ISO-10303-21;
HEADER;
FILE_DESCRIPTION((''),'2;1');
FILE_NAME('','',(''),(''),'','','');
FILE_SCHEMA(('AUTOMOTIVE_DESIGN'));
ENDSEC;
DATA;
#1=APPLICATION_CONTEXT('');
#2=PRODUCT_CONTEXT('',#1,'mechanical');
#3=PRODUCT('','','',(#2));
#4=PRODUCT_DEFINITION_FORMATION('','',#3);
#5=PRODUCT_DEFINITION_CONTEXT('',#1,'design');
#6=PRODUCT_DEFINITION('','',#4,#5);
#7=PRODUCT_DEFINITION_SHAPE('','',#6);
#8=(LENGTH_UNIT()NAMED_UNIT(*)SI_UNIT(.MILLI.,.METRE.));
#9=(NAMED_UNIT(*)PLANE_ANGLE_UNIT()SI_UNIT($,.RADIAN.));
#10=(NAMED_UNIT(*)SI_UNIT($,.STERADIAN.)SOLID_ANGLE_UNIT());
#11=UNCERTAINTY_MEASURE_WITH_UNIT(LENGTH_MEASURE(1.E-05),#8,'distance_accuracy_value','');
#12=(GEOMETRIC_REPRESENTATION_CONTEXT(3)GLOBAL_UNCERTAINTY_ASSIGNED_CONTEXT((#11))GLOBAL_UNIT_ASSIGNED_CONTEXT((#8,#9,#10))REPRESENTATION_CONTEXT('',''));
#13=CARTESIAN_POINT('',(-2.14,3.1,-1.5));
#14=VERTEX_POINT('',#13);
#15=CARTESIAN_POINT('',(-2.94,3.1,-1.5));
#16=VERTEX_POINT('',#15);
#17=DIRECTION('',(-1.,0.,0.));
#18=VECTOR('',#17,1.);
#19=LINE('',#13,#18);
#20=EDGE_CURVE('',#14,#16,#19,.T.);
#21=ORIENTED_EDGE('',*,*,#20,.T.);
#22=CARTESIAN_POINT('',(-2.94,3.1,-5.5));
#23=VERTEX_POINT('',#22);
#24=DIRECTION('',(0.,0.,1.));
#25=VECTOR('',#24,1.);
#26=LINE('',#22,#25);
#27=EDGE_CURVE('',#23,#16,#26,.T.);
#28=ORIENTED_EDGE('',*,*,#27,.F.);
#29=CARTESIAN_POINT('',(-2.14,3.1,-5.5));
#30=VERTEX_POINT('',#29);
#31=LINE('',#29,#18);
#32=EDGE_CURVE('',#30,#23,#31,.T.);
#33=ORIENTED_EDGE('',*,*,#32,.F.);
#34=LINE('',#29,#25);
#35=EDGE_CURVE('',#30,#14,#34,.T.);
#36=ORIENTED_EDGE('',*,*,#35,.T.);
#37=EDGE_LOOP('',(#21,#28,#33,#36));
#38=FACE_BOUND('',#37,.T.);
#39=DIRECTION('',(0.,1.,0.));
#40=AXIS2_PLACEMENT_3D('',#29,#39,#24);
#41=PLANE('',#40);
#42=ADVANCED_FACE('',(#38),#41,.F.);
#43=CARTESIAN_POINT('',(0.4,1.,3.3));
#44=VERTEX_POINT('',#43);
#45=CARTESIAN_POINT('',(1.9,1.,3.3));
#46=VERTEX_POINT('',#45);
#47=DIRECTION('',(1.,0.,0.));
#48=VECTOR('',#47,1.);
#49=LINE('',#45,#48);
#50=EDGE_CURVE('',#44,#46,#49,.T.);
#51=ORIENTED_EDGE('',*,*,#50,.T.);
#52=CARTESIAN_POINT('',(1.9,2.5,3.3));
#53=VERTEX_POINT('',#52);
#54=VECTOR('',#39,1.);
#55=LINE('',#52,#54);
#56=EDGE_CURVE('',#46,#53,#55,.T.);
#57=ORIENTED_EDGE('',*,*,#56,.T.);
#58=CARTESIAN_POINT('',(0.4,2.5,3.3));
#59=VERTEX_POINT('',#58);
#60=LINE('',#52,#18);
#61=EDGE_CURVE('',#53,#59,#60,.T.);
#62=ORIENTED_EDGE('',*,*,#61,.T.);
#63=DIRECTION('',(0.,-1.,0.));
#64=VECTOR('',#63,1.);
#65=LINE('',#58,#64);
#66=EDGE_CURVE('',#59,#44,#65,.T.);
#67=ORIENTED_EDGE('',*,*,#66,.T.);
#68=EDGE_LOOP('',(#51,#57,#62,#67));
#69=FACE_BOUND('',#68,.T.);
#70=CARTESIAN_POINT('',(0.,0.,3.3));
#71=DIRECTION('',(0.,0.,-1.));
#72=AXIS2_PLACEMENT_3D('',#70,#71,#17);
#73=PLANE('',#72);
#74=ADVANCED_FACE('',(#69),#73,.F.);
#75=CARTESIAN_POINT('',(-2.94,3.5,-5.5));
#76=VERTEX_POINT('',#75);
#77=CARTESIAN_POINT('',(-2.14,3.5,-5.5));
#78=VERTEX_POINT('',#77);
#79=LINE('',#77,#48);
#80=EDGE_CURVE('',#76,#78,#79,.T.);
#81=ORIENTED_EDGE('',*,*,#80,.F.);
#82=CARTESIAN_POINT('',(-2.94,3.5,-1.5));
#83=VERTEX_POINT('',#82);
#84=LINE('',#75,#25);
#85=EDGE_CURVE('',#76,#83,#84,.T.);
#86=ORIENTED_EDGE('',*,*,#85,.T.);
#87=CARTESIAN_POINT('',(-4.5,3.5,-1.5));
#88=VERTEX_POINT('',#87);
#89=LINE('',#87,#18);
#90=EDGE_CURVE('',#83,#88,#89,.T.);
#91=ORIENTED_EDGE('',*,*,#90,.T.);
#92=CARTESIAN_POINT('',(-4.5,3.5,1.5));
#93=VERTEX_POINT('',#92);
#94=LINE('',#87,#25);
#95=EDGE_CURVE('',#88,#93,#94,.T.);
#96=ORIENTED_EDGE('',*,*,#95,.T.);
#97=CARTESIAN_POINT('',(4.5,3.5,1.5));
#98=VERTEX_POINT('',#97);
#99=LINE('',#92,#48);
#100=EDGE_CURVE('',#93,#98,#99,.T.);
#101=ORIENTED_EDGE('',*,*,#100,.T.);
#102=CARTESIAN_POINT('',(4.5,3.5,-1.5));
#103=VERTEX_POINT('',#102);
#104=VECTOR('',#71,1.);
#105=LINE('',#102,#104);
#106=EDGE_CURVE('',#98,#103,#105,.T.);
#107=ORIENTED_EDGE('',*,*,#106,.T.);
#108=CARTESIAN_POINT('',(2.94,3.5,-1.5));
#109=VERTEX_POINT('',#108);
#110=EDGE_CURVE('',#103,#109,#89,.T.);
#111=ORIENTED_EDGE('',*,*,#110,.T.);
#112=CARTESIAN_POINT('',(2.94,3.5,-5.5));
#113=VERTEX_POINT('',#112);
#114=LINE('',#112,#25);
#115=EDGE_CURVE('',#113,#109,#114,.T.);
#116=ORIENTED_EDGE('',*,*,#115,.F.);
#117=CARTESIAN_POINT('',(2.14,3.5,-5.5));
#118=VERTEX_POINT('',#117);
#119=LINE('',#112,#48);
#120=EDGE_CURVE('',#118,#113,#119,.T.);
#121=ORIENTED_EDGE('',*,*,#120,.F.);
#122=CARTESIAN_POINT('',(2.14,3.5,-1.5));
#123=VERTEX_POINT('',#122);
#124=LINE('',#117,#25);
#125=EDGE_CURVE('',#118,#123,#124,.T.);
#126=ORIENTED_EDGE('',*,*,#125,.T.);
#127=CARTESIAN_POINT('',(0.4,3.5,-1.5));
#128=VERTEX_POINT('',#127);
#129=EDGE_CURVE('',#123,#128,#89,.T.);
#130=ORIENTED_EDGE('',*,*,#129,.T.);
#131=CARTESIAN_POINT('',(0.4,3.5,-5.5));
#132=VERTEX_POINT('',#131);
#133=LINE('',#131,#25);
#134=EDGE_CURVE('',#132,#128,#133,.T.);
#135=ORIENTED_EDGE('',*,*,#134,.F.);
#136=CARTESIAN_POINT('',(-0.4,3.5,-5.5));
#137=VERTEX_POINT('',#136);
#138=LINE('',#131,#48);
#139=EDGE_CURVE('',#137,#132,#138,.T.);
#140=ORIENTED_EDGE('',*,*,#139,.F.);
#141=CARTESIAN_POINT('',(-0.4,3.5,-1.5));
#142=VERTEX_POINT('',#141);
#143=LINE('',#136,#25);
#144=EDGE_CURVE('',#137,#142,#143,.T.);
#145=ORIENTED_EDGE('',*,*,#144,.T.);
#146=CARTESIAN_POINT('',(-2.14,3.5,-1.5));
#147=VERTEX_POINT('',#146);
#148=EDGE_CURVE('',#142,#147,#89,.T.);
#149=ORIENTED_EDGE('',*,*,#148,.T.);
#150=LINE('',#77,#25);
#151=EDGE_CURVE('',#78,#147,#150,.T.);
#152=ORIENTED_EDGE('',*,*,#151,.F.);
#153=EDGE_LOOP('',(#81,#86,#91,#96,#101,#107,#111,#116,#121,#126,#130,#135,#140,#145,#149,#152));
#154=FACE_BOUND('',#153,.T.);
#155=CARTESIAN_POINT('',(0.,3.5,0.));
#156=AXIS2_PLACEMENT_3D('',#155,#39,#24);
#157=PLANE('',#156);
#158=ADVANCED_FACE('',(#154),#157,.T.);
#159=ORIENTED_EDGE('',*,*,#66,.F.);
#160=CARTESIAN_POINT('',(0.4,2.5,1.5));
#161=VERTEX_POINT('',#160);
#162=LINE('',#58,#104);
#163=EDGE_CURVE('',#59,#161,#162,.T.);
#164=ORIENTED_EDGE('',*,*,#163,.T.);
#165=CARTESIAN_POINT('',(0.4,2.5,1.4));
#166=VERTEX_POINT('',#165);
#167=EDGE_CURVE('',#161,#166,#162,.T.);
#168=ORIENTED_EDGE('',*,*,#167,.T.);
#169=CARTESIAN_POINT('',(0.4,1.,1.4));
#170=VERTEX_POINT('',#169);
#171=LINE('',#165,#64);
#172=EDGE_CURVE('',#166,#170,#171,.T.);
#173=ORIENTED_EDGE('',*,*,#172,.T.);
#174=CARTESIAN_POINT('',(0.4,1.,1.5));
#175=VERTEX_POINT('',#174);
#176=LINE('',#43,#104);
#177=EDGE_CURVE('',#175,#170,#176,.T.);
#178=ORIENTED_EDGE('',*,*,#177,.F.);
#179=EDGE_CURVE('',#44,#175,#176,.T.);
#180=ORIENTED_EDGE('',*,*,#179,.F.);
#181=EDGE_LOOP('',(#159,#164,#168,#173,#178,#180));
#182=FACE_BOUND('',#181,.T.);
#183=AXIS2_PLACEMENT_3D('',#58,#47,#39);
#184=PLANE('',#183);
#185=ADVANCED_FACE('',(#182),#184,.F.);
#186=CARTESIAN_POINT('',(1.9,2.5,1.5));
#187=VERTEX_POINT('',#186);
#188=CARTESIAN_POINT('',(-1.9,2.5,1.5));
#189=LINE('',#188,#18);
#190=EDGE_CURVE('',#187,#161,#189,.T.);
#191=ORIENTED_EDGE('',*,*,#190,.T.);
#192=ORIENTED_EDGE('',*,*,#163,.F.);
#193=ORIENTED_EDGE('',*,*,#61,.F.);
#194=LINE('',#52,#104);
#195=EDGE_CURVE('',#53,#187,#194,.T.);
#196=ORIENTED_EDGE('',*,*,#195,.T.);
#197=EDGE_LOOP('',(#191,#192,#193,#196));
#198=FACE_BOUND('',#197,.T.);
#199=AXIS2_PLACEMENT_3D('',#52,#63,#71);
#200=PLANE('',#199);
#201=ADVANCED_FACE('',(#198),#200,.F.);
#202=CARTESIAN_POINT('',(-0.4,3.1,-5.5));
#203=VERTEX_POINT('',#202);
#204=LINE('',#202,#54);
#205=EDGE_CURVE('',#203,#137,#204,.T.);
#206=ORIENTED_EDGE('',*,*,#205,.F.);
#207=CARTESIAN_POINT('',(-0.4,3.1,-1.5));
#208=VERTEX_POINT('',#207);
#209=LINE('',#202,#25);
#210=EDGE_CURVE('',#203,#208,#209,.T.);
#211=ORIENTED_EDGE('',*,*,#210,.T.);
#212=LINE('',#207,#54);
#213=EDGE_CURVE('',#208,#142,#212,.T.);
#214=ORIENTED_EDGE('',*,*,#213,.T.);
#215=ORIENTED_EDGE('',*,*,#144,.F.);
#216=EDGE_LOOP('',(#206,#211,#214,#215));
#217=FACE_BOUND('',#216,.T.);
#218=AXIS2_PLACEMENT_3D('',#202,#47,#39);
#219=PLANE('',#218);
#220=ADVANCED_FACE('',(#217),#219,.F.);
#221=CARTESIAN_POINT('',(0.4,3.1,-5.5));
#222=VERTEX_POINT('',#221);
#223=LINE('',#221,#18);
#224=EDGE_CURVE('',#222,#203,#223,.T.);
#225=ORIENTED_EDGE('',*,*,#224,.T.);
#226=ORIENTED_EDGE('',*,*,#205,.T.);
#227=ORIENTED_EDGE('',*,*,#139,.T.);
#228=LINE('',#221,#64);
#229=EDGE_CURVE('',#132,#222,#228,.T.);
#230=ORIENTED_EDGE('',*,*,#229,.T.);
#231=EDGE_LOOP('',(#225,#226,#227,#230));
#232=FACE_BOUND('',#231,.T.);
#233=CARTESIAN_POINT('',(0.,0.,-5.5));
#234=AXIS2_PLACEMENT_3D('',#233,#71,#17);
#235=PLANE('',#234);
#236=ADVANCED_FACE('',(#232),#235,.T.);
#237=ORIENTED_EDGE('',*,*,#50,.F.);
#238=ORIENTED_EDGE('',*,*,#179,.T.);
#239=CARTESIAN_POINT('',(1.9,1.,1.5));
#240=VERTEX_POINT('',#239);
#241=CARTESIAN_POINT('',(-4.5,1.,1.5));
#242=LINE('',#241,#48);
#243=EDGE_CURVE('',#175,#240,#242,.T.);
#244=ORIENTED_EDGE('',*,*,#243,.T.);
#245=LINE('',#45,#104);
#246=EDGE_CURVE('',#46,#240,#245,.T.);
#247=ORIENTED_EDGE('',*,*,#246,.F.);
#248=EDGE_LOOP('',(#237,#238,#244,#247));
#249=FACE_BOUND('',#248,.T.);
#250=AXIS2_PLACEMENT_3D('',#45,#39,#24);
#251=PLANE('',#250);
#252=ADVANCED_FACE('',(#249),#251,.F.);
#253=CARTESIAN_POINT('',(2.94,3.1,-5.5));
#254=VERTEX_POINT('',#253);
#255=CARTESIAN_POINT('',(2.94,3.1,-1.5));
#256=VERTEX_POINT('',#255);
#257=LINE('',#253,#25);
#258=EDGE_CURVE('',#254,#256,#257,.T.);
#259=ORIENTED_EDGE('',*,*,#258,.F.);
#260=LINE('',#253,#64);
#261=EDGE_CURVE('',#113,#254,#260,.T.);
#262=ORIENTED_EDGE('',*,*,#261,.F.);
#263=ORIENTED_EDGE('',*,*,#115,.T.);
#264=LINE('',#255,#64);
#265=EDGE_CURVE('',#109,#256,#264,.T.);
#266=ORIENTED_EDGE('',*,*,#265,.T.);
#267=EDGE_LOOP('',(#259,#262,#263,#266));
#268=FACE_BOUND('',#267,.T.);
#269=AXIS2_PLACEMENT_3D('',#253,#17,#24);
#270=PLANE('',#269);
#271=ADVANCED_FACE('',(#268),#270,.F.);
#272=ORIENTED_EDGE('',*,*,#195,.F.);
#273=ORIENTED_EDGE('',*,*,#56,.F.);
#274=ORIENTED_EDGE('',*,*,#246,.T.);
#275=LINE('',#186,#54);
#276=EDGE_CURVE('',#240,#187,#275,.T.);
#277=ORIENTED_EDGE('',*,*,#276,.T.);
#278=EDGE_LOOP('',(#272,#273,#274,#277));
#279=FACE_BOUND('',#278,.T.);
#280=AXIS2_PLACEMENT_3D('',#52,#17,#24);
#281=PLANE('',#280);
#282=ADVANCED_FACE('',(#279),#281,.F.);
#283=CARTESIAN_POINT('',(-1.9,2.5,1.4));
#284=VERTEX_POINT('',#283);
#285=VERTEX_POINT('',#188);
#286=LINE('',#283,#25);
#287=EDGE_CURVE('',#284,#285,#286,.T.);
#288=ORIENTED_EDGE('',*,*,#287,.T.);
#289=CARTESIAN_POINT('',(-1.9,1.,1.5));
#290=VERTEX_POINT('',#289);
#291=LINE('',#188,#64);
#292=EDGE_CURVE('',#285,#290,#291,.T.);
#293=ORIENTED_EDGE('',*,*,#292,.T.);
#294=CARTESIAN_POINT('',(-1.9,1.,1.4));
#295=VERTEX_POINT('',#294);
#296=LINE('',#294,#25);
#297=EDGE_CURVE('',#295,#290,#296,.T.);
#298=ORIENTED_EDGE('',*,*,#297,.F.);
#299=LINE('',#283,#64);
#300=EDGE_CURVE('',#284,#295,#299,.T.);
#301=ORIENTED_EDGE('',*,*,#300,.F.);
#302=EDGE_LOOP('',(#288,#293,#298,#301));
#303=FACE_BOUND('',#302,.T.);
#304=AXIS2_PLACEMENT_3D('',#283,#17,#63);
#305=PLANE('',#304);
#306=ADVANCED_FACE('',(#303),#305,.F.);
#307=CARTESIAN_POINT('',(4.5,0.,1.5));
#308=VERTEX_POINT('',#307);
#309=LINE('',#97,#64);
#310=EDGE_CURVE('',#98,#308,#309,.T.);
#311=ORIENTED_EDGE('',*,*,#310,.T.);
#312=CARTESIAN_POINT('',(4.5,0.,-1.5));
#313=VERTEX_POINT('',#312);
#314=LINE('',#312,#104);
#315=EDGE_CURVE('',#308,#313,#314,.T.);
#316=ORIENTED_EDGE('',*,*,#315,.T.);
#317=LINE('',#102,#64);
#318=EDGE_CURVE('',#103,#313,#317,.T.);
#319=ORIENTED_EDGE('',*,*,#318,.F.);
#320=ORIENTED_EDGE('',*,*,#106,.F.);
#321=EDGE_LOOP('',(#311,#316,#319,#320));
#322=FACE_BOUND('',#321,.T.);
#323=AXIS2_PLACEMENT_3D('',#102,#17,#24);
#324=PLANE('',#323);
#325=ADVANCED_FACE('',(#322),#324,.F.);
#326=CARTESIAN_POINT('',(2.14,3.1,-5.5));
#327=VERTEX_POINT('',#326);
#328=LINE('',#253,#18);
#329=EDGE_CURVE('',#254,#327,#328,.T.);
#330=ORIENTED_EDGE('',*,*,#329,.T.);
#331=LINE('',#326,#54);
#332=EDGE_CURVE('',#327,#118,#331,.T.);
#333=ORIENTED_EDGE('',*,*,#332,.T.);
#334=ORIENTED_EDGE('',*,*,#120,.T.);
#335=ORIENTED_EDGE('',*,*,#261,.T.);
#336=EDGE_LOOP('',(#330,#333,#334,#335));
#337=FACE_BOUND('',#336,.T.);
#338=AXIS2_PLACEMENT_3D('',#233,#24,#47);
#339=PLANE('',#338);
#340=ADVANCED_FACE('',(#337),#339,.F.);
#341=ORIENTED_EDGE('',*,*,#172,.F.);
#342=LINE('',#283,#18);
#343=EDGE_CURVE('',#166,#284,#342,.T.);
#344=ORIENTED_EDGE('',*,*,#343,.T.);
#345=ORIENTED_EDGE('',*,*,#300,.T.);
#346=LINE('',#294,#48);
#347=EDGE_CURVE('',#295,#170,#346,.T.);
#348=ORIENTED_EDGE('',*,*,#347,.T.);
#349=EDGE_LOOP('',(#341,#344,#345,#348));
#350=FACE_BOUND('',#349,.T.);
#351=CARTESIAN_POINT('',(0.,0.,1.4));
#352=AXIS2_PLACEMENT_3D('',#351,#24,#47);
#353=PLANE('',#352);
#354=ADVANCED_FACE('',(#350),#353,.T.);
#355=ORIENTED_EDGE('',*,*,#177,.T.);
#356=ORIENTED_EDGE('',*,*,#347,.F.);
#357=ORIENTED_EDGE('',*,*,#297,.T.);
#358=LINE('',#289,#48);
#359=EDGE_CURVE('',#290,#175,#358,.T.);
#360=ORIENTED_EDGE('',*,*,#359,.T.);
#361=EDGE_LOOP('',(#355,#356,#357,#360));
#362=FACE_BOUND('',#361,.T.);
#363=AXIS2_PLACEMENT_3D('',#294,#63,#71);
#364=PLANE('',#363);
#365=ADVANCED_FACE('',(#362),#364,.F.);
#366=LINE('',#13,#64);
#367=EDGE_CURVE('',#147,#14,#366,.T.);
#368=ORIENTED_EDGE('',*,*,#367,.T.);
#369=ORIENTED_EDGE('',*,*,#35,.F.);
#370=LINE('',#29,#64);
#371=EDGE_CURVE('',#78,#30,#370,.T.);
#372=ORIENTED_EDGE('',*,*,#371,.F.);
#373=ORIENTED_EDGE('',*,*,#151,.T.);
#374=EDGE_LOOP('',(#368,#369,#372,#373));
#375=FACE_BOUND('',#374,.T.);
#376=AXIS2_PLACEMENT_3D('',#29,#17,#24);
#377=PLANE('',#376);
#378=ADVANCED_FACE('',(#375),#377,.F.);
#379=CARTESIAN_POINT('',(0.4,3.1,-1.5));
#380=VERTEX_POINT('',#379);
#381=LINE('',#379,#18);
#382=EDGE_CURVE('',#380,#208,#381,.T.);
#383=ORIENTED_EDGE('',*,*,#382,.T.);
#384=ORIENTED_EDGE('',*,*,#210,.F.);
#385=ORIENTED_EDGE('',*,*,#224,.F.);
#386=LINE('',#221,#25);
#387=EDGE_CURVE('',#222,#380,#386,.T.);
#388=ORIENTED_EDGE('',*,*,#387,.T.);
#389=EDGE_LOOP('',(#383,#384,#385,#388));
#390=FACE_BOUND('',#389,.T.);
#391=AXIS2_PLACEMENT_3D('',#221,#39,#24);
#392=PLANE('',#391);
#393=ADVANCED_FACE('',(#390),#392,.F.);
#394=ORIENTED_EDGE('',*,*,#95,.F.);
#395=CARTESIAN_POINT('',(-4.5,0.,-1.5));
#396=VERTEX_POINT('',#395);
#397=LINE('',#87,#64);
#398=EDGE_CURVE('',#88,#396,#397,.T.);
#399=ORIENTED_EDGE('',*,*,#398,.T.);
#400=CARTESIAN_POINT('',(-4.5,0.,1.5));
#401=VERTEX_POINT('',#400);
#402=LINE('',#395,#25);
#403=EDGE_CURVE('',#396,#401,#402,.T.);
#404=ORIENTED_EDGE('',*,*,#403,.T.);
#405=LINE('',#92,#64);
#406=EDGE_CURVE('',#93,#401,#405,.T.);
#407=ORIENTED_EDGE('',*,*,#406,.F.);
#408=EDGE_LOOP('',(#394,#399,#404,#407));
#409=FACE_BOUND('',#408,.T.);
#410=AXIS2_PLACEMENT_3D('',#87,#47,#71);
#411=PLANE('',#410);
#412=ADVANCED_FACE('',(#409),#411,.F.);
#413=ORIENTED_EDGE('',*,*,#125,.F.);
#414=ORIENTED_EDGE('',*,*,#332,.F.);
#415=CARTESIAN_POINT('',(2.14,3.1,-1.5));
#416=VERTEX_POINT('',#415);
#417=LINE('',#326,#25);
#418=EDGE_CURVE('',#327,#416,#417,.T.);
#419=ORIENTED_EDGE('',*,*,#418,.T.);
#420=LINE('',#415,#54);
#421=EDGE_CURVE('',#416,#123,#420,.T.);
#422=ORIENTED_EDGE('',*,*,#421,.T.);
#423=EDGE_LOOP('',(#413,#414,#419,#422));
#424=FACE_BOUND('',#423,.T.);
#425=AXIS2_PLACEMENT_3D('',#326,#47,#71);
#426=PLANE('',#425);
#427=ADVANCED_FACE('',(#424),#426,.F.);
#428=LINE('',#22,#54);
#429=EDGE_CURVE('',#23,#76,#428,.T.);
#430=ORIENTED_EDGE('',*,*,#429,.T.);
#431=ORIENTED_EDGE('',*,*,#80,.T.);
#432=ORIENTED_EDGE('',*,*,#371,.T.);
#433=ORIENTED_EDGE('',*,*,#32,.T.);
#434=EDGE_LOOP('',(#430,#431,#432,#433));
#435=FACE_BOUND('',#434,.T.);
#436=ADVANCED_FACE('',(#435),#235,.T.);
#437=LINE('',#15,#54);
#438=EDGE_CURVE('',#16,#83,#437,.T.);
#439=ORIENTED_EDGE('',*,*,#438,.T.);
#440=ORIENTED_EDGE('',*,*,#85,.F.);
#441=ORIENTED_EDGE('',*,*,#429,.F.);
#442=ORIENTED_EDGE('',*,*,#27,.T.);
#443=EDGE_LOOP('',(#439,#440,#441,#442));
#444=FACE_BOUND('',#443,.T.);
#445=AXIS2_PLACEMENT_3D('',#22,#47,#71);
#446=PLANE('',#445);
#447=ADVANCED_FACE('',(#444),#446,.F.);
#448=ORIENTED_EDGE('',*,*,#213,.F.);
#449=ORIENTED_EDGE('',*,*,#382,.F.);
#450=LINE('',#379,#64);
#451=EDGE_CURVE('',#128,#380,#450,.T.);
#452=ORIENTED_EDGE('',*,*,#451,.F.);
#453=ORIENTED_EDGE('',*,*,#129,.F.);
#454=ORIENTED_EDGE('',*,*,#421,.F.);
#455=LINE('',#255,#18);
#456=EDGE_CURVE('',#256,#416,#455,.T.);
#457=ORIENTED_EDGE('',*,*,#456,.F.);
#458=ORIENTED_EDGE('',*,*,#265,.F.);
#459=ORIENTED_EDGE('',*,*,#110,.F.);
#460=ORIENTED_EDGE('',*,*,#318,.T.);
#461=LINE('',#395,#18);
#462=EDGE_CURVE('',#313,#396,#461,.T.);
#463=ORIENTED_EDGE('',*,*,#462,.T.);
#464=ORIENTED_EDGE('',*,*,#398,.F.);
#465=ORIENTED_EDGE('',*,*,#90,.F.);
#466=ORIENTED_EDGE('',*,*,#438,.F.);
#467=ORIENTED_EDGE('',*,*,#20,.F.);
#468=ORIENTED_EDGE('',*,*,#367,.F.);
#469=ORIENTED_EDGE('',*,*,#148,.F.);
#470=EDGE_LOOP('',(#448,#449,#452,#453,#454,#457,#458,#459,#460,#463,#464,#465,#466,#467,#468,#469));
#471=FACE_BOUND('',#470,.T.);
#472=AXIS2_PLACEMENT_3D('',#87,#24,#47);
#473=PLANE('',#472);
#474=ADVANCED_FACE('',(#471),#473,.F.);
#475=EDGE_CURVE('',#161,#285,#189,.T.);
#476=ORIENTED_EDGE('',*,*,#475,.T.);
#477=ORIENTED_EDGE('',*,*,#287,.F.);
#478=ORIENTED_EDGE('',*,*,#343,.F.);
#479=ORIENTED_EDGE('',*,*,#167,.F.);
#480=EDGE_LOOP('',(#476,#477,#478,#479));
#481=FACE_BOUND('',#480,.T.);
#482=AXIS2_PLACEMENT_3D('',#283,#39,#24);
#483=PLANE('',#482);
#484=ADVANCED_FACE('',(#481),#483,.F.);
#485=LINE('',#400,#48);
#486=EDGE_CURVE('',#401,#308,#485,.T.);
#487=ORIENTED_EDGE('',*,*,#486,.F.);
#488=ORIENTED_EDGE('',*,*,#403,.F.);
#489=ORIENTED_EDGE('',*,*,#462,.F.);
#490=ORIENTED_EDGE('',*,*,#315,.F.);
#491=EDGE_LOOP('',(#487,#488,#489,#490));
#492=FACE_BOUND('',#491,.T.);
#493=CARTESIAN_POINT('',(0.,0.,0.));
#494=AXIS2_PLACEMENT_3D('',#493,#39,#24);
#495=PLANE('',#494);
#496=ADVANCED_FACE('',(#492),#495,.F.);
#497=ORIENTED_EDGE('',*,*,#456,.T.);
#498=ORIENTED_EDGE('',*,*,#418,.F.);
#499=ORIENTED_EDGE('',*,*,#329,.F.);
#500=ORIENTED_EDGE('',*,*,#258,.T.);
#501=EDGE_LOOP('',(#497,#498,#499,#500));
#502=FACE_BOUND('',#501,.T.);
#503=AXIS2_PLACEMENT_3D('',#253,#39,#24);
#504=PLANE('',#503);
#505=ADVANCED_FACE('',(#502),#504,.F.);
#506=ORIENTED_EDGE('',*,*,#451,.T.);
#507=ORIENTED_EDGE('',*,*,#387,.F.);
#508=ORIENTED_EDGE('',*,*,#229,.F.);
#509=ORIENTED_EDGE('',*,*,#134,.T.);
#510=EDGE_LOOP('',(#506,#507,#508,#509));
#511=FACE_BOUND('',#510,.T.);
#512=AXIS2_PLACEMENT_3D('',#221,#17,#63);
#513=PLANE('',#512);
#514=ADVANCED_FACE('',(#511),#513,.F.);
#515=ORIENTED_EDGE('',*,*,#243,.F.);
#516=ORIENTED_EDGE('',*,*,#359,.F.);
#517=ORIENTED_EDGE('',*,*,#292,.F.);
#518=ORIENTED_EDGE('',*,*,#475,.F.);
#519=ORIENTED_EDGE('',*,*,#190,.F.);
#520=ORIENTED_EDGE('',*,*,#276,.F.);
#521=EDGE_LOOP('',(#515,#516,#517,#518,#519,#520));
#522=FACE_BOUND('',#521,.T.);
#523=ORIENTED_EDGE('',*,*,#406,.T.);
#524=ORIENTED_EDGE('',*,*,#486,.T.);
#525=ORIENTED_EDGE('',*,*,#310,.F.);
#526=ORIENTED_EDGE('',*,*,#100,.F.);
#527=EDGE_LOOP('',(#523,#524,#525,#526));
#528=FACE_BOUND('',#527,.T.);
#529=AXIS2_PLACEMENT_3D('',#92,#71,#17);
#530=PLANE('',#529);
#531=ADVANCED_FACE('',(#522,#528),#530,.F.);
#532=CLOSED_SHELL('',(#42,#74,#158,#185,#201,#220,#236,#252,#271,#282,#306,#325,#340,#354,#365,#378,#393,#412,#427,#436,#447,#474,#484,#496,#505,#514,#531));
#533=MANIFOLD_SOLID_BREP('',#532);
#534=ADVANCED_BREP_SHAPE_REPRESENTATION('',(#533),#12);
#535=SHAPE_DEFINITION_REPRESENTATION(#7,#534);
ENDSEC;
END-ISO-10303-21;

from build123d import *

# Parameters (mm, degrees)
SKETCH_1_W          = 9
SKETCH_1_H          = 3
EXTRUDE_1_DEPTH     = 3.5
SKETCH_2_W          = 3.8
SKETCH_2_H          = 1.5
CUT_EXTRUDE_1_DEPTH = 0.1
SKETCH_3_W          = 1.5
SKETCH_3_H          = 1.5
EXTRUDE_2_DEPTH     = 1.9
SKETCH_4_W          = 0.8
SKETCH_4_H          = 0.4
EXTRUDE_3_DEPTH     = 4


with BuildPart() as part:
    # Эскиз1 → Бобышка-Вытянуть1 (new body)
    with BuildSketch(Plane(origin=(0, 0, 0), x_dir=(1, 0, 0), z_dir=(0, 1, 0))):
        Rectangle(SKETCH_1_W, SKETCH_1_H)
    extrude(amount=EXTRUDE_1_DEPTH)

    # Эскиз2 → Вырез-Вытянуть1 (cut)
    with BuildSketch(Plane.XY.offset(1.5)):
        with Locations((0, 1.75)):
            Rectangle(SKETCH_2_W, SKETCH_2_H)
    extrude(amount=-CUT_EXTRUDE_1_DEPTH, mode=Mode.SUBTRACT)

    # Эскиз3 → Бобышка-Вытянуть2 (add)
    with BuildSketch(Plane.XY.offset(1.4)):
        with Locations((1.15, 1.75)):
            Rectangle(SKETCH_3_W, SKETCH_3_H)
    extrude(amount=EXTRUDE_2_DEPTH)

    # Эскиз4 → Бобышка-Вытянуть3 (add)
    with BuildSketch(Plane(origin=(0, 0, -1.5), x_dir=(-1, 0, 0), z_dir=(0, 0, -1))):
        with Locations((-2.54, 3.3)):
            Rectangle(SKETCH_4_W, SKETCH_4_H)
        with Locations((0, 3.3)):
            Rectangle(SKETCH_4_W, SKETCH_4_H)
        with Locations((2.54, 3.3)):
            Rectangle(SKETCH_4_W, SKETCH_4_H)
    extrude(amount=EXTRUDE_3_DEPTH)


solid = part.part
